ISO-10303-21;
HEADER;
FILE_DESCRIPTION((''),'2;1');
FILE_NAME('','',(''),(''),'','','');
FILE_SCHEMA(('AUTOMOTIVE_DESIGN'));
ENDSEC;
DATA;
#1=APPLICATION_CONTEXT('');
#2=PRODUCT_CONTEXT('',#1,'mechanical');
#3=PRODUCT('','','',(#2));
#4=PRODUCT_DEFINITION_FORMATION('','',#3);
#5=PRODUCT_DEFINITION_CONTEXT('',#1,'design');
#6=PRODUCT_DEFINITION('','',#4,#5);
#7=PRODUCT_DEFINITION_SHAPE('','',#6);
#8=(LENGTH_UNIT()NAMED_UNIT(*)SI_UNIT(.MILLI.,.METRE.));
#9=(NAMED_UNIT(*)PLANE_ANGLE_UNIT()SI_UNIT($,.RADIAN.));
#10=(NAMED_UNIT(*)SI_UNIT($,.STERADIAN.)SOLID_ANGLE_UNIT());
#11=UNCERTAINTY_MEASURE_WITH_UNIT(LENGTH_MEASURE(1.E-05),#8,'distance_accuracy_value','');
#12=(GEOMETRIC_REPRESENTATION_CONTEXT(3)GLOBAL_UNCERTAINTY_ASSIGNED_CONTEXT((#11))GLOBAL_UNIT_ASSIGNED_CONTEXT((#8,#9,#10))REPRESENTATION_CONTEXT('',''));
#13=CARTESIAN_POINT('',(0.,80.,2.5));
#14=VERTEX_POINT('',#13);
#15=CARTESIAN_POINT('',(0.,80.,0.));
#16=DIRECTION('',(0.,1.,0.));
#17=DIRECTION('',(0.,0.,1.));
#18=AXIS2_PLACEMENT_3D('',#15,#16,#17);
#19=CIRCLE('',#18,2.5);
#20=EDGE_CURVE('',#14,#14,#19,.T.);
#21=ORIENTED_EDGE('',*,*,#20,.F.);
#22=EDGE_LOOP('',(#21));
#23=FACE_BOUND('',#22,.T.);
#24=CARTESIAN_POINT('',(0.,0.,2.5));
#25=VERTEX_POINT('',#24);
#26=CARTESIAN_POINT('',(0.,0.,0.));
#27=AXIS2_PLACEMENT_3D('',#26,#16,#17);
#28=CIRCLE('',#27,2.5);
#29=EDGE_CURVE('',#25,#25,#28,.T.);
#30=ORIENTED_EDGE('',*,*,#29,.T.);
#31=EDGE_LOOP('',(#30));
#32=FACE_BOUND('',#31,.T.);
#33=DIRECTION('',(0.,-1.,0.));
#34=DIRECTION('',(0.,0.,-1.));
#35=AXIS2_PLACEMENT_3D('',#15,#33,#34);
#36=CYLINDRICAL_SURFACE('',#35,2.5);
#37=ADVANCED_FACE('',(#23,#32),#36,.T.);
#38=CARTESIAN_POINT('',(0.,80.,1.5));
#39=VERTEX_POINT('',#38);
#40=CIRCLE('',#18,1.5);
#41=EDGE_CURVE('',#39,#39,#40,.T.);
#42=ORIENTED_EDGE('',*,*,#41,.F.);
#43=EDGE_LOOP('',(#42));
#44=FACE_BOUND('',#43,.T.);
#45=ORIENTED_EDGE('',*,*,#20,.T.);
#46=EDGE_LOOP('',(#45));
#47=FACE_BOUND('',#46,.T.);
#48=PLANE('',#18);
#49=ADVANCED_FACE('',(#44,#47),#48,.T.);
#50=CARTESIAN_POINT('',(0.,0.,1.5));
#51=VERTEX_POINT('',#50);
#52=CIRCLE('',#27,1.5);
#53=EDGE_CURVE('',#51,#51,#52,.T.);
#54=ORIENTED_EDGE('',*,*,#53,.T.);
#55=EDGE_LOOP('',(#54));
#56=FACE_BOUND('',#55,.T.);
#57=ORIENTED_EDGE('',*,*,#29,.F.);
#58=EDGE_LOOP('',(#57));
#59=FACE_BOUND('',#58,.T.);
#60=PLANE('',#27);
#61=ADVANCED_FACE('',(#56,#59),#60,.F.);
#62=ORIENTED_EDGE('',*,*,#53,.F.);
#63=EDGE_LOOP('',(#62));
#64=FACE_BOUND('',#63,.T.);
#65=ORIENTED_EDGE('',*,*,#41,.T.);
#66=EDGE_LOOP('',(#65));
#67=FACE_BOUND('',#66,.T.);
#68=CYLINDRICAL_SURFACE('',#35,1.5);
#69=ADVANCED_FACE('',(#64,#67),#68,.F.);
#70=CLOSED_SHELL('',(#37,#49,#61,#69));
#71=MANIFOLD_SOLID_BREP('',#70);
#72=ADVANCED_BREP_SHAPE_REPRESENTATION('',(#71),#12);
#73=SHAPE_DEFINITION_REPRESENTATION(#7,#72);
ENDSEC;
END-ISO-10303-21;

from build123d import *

# Parameters (mm, degrees)
SKETCH1_R           = 2.5
SKETCH1_R_2         = 1.5
BOSS_EXTRUDE1_DEPTH = 80


with BuildPart() as part:
    # Sketch1 → Boss-Extrude1 (new body)
    with BuildSketch(Plane(origin=(0, 0, 0), x_dir=(1, 0, 0), z_dir=(0, 1, 0))):
        Circle(SKETCH1_R)
        Circle(SKETCH1_R_2, mode=Mode.SUBTRACT)
    extrude(amount=BOSS_EXTRUDE1_DEPTH)


solid = part.part
